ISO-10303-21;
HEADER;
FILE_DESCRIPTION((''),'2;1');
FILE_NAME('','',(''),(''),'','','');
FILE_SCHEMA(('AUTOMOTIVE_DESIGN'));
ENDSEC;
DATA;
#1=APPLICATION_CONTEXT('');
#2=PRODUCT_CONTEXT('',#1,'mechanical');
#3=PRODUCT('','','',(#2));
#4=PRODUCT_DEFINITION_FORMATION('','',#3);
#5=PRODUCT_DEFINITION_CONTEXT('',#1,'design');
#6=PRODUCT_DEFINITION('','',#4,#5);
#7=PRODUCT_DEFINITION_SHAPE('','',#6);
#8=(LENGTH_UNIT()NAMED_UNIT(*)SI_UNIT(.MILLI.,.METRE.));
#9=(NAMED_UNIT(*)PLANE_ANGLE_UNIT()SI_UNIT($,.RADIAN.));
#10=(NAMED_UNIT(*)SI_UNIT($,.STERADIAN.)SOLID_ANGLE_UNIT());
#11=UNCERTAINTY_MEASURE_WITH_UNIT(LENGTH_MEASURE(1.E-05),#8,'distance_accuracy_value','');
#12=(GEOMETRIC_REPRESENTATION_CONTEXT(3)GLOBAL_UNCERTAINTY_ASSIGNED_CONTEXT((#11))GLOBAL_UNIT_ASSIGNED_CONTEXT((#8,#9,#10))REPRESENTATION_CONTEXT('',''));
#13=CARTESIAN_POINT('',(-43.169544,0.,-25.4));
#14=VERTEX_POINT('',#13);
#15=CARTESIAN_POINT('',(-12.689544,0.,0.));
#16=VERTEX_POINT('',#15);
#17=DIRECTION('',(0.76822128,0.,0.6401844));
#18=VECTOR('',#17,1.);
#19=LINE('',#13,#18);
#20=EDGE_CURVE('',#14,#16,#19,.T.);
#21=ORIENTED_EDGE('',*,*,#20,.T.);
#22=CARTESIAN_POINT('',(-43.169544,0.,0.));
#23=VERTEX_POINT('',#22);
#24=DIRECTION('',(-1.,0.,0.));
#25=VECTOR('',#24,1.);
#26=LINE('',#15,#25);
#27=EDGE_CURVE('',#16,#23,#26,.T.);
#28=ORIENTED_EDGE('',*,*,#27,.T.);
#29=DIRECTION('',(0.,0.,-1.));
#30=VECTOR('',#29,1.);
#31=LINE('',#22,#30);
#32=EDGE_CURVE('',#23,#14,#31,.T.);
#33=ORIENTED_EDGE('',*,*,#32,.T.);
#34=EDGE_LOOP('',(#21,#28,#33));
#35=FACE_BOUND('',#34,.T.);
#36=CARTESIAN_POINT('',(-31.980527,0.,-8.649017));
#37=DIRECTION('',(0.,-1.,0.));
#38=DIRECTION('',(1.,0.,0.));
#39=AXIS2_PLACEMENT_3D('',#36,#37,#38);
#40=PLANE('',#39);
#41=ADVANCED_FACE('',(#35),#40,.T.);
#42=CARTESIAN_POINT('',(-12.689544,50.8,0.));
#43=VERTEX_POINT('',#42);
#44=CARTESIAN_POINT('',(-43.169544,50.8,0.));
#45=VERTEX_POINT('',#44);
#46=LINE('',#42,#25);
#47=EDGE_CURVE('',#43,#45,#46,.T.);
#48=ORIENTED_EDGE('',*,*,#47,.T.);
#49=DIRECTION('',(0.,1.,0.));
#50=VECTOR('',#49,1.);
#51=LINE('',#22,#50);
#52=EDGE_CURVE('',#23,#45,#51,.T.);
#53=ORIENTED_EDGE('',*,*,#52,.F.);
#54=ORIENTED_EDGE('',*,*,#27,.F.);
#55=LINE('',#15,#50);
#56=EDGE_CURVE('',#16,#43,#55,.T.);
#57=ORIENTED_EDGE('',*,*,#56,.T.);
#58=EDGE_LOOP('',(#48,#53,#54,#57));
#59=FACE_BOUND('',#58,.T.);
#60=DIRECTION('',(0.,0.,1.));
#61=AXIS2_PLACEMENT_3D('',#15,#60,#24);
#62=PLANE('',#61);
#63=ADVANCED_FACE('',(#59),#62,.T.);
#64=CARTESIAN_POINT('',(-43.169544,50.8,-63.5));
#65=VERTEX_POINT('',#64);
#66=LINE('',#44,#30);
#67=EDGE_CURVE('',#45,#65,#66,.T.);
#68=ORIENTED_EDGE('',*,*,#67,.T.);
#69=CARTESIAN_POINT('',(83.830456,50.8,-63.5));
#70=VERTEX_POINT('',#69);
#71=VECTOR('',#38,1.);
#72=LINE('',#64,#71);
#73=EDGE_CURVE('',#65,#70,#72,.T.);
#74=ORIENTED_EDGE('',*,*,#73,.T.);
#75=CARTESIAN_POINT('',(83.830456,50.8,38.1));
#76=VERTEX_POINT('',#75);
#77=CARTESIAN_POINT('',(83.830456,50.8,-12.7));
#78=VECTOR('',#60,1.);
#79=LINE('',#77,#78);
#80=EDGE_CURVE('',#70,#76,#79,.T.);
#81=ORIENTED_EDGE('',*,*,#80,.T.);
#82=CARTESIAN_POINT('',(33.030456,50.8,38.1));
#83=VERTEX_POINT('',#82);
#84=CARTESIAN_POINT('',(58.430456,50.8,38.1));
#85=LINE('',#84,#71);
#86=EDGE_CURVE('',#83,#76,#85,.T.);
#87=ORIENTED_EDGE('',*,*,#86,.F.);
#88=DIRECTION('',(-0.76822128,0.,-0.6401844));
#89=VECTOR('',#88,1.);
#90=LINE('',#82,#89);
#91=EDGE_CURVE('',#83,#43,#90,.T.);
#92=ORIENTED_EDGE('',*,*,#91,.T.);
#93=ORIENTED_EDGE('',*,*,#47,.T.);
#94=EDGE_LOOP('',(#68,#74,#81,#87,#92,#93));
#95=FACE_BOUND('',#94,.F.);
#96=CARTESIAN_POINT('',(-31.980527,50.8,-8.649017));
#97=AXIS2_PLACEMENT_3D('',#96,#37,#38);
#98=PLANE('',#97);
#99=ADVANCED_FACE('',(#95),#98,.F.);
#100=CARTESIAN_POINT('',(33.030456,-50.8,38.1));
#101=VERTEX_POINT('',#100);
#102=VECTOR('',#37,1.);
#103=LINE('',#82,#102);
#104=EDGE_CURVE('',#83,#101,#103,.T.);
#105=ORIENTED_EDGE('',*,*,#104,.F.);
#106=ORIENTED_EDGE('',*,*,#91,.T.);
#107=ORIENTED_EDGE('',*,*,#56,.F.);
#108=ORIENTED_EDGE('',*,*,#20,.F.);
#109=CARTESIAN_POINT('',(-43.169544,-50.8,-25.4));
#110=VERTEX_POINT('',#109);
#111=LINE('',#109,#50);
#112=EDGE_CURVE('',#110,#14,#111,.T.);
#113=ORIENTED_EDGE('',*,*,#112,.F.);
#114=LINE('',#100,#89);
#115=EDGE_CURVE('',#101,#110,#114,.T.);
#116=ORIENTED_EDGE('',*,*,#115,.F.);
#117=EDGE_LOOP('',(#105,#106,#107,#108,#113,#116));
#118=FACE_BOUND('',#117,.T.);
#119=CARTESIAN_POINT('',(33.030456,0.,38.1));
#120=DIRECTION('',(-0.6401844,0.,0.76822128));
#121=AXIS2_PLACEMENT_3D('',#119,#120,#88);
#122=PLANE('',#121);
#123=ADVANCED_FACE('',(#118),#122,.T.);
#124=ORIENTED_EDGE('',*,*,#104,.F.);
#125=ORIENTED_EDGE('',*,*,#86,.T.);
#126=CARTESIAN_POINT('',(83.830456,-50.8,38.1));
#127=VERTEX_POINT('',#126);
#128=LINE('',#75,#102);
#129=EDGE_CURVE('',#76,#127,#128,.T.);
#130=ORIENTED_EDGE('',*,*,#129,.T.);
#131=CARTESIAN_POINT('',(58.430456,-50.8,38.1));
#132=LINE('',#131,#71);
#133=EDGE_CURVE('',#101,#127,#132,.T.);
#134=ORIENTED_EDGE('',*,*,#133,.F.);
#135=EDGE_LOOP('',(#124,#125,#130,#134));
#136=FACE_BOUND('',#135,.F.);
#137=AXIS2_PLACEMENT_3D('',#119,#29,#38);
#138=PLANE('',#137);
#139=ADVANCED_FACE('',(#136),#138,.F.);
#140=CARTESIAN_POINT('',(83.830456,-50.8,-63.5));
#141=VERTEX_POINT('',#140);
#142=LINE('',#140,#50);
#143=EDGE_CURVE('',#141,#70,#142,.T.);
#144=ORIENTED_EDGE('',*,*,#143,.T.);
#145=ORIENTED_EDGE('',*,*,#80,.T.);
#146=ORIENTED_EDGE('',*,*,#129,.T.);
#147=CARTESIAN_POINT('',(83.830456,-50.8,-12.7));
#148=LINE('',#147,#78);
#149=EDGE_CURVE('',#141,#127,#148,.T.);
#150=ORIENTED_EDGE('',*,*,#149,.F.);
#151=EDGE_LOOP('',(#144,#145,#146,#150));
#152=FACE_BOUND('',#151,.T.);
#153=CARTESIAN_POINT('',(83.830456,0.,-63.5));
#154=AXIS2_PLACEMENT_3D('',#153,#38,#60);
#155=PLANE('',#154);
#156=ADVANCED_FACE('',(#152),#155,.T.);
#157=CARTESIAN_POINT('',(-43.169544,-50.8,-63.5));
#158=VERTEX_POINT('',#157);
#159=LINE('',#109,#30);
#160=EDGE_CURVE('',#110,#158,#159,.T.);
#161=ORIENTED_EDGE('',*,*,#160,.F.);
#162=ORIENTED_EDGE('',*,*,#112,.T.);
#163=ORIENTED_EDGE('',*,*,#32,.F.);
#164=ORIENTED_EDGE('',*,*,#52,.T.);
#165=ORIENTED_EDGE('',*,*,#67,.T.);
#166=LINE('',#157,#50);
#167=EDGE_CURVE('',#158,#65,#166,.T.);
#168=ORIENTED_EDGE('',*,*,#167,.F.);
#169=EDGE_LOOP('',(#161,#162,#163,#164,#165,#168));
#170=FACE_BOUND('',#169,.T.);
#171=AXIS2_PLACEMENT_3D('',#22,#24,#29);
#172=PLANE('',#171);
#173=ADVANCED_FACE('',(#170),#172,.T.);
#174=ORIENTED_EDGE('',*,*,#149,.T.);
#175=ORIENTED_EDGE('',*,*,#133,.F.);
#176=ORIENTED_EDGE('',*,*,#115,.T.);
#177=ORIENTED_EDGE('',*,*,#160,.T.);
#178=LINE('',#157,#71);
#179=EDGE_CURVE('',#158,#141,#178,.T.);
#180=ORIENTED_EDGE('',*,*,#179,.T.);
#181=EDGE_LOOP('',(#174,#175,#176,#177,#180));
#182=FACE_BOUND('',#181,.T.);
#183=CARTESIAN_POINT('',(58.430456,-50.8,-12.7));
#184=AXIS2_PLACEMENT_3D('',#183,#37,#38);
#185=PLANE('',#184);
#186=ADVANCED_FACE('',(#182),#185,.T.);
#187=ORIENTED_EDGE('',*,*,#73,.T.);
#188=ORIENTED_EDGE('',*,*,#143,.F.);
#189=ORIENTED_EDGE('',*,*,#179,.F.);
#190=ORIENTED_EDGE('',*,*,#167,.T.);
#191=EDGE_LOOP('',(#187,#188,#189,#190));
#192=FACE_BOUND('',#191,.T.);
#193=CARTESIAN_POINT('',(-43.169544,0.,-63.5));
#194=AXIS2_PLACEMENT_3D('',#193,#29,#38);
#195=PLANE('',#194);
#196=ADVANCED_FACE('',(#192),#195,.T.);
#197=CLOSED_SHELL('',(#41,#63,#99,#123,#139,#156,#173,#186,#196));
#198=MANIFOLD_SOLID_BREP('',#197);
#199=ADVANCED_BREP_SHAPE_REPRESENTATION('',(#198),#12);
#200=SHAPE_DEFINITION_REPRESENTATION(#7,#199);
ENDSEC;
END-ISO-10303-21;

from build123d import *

# Parameters (mm, degrees)
F0_W     = 50.8
F0_H     = 101.6
F1_DEPTH = 50.8
F2_DEPTH = 50.8


with BuildPart() as f1:
    # F0 (on Front) → F1 (new body, symmetric)
    with BuildSketch(Plane.XZ):
        with Locations((58.430456, -12.7)):
            Rectangle(F0_W, F0_H)
        Polygon((33.030456, -63.5), (33.030456, 38.1), (-12.689544, 0), (-43.169544, -25.4), (-43.169544, -63.5), align=None)
    extrude(amount=F1_DEPTH, both=True)

    # F0 (on Front) → F2 (join)
    with BuildSketch(Plane.XZ):
        Polygon((-43.169544, -25.4), (-12.689544, 0), (-43.169544, 0), align=None)
    extrude(amount=-F2_DEPTH)


solid = f1.part
